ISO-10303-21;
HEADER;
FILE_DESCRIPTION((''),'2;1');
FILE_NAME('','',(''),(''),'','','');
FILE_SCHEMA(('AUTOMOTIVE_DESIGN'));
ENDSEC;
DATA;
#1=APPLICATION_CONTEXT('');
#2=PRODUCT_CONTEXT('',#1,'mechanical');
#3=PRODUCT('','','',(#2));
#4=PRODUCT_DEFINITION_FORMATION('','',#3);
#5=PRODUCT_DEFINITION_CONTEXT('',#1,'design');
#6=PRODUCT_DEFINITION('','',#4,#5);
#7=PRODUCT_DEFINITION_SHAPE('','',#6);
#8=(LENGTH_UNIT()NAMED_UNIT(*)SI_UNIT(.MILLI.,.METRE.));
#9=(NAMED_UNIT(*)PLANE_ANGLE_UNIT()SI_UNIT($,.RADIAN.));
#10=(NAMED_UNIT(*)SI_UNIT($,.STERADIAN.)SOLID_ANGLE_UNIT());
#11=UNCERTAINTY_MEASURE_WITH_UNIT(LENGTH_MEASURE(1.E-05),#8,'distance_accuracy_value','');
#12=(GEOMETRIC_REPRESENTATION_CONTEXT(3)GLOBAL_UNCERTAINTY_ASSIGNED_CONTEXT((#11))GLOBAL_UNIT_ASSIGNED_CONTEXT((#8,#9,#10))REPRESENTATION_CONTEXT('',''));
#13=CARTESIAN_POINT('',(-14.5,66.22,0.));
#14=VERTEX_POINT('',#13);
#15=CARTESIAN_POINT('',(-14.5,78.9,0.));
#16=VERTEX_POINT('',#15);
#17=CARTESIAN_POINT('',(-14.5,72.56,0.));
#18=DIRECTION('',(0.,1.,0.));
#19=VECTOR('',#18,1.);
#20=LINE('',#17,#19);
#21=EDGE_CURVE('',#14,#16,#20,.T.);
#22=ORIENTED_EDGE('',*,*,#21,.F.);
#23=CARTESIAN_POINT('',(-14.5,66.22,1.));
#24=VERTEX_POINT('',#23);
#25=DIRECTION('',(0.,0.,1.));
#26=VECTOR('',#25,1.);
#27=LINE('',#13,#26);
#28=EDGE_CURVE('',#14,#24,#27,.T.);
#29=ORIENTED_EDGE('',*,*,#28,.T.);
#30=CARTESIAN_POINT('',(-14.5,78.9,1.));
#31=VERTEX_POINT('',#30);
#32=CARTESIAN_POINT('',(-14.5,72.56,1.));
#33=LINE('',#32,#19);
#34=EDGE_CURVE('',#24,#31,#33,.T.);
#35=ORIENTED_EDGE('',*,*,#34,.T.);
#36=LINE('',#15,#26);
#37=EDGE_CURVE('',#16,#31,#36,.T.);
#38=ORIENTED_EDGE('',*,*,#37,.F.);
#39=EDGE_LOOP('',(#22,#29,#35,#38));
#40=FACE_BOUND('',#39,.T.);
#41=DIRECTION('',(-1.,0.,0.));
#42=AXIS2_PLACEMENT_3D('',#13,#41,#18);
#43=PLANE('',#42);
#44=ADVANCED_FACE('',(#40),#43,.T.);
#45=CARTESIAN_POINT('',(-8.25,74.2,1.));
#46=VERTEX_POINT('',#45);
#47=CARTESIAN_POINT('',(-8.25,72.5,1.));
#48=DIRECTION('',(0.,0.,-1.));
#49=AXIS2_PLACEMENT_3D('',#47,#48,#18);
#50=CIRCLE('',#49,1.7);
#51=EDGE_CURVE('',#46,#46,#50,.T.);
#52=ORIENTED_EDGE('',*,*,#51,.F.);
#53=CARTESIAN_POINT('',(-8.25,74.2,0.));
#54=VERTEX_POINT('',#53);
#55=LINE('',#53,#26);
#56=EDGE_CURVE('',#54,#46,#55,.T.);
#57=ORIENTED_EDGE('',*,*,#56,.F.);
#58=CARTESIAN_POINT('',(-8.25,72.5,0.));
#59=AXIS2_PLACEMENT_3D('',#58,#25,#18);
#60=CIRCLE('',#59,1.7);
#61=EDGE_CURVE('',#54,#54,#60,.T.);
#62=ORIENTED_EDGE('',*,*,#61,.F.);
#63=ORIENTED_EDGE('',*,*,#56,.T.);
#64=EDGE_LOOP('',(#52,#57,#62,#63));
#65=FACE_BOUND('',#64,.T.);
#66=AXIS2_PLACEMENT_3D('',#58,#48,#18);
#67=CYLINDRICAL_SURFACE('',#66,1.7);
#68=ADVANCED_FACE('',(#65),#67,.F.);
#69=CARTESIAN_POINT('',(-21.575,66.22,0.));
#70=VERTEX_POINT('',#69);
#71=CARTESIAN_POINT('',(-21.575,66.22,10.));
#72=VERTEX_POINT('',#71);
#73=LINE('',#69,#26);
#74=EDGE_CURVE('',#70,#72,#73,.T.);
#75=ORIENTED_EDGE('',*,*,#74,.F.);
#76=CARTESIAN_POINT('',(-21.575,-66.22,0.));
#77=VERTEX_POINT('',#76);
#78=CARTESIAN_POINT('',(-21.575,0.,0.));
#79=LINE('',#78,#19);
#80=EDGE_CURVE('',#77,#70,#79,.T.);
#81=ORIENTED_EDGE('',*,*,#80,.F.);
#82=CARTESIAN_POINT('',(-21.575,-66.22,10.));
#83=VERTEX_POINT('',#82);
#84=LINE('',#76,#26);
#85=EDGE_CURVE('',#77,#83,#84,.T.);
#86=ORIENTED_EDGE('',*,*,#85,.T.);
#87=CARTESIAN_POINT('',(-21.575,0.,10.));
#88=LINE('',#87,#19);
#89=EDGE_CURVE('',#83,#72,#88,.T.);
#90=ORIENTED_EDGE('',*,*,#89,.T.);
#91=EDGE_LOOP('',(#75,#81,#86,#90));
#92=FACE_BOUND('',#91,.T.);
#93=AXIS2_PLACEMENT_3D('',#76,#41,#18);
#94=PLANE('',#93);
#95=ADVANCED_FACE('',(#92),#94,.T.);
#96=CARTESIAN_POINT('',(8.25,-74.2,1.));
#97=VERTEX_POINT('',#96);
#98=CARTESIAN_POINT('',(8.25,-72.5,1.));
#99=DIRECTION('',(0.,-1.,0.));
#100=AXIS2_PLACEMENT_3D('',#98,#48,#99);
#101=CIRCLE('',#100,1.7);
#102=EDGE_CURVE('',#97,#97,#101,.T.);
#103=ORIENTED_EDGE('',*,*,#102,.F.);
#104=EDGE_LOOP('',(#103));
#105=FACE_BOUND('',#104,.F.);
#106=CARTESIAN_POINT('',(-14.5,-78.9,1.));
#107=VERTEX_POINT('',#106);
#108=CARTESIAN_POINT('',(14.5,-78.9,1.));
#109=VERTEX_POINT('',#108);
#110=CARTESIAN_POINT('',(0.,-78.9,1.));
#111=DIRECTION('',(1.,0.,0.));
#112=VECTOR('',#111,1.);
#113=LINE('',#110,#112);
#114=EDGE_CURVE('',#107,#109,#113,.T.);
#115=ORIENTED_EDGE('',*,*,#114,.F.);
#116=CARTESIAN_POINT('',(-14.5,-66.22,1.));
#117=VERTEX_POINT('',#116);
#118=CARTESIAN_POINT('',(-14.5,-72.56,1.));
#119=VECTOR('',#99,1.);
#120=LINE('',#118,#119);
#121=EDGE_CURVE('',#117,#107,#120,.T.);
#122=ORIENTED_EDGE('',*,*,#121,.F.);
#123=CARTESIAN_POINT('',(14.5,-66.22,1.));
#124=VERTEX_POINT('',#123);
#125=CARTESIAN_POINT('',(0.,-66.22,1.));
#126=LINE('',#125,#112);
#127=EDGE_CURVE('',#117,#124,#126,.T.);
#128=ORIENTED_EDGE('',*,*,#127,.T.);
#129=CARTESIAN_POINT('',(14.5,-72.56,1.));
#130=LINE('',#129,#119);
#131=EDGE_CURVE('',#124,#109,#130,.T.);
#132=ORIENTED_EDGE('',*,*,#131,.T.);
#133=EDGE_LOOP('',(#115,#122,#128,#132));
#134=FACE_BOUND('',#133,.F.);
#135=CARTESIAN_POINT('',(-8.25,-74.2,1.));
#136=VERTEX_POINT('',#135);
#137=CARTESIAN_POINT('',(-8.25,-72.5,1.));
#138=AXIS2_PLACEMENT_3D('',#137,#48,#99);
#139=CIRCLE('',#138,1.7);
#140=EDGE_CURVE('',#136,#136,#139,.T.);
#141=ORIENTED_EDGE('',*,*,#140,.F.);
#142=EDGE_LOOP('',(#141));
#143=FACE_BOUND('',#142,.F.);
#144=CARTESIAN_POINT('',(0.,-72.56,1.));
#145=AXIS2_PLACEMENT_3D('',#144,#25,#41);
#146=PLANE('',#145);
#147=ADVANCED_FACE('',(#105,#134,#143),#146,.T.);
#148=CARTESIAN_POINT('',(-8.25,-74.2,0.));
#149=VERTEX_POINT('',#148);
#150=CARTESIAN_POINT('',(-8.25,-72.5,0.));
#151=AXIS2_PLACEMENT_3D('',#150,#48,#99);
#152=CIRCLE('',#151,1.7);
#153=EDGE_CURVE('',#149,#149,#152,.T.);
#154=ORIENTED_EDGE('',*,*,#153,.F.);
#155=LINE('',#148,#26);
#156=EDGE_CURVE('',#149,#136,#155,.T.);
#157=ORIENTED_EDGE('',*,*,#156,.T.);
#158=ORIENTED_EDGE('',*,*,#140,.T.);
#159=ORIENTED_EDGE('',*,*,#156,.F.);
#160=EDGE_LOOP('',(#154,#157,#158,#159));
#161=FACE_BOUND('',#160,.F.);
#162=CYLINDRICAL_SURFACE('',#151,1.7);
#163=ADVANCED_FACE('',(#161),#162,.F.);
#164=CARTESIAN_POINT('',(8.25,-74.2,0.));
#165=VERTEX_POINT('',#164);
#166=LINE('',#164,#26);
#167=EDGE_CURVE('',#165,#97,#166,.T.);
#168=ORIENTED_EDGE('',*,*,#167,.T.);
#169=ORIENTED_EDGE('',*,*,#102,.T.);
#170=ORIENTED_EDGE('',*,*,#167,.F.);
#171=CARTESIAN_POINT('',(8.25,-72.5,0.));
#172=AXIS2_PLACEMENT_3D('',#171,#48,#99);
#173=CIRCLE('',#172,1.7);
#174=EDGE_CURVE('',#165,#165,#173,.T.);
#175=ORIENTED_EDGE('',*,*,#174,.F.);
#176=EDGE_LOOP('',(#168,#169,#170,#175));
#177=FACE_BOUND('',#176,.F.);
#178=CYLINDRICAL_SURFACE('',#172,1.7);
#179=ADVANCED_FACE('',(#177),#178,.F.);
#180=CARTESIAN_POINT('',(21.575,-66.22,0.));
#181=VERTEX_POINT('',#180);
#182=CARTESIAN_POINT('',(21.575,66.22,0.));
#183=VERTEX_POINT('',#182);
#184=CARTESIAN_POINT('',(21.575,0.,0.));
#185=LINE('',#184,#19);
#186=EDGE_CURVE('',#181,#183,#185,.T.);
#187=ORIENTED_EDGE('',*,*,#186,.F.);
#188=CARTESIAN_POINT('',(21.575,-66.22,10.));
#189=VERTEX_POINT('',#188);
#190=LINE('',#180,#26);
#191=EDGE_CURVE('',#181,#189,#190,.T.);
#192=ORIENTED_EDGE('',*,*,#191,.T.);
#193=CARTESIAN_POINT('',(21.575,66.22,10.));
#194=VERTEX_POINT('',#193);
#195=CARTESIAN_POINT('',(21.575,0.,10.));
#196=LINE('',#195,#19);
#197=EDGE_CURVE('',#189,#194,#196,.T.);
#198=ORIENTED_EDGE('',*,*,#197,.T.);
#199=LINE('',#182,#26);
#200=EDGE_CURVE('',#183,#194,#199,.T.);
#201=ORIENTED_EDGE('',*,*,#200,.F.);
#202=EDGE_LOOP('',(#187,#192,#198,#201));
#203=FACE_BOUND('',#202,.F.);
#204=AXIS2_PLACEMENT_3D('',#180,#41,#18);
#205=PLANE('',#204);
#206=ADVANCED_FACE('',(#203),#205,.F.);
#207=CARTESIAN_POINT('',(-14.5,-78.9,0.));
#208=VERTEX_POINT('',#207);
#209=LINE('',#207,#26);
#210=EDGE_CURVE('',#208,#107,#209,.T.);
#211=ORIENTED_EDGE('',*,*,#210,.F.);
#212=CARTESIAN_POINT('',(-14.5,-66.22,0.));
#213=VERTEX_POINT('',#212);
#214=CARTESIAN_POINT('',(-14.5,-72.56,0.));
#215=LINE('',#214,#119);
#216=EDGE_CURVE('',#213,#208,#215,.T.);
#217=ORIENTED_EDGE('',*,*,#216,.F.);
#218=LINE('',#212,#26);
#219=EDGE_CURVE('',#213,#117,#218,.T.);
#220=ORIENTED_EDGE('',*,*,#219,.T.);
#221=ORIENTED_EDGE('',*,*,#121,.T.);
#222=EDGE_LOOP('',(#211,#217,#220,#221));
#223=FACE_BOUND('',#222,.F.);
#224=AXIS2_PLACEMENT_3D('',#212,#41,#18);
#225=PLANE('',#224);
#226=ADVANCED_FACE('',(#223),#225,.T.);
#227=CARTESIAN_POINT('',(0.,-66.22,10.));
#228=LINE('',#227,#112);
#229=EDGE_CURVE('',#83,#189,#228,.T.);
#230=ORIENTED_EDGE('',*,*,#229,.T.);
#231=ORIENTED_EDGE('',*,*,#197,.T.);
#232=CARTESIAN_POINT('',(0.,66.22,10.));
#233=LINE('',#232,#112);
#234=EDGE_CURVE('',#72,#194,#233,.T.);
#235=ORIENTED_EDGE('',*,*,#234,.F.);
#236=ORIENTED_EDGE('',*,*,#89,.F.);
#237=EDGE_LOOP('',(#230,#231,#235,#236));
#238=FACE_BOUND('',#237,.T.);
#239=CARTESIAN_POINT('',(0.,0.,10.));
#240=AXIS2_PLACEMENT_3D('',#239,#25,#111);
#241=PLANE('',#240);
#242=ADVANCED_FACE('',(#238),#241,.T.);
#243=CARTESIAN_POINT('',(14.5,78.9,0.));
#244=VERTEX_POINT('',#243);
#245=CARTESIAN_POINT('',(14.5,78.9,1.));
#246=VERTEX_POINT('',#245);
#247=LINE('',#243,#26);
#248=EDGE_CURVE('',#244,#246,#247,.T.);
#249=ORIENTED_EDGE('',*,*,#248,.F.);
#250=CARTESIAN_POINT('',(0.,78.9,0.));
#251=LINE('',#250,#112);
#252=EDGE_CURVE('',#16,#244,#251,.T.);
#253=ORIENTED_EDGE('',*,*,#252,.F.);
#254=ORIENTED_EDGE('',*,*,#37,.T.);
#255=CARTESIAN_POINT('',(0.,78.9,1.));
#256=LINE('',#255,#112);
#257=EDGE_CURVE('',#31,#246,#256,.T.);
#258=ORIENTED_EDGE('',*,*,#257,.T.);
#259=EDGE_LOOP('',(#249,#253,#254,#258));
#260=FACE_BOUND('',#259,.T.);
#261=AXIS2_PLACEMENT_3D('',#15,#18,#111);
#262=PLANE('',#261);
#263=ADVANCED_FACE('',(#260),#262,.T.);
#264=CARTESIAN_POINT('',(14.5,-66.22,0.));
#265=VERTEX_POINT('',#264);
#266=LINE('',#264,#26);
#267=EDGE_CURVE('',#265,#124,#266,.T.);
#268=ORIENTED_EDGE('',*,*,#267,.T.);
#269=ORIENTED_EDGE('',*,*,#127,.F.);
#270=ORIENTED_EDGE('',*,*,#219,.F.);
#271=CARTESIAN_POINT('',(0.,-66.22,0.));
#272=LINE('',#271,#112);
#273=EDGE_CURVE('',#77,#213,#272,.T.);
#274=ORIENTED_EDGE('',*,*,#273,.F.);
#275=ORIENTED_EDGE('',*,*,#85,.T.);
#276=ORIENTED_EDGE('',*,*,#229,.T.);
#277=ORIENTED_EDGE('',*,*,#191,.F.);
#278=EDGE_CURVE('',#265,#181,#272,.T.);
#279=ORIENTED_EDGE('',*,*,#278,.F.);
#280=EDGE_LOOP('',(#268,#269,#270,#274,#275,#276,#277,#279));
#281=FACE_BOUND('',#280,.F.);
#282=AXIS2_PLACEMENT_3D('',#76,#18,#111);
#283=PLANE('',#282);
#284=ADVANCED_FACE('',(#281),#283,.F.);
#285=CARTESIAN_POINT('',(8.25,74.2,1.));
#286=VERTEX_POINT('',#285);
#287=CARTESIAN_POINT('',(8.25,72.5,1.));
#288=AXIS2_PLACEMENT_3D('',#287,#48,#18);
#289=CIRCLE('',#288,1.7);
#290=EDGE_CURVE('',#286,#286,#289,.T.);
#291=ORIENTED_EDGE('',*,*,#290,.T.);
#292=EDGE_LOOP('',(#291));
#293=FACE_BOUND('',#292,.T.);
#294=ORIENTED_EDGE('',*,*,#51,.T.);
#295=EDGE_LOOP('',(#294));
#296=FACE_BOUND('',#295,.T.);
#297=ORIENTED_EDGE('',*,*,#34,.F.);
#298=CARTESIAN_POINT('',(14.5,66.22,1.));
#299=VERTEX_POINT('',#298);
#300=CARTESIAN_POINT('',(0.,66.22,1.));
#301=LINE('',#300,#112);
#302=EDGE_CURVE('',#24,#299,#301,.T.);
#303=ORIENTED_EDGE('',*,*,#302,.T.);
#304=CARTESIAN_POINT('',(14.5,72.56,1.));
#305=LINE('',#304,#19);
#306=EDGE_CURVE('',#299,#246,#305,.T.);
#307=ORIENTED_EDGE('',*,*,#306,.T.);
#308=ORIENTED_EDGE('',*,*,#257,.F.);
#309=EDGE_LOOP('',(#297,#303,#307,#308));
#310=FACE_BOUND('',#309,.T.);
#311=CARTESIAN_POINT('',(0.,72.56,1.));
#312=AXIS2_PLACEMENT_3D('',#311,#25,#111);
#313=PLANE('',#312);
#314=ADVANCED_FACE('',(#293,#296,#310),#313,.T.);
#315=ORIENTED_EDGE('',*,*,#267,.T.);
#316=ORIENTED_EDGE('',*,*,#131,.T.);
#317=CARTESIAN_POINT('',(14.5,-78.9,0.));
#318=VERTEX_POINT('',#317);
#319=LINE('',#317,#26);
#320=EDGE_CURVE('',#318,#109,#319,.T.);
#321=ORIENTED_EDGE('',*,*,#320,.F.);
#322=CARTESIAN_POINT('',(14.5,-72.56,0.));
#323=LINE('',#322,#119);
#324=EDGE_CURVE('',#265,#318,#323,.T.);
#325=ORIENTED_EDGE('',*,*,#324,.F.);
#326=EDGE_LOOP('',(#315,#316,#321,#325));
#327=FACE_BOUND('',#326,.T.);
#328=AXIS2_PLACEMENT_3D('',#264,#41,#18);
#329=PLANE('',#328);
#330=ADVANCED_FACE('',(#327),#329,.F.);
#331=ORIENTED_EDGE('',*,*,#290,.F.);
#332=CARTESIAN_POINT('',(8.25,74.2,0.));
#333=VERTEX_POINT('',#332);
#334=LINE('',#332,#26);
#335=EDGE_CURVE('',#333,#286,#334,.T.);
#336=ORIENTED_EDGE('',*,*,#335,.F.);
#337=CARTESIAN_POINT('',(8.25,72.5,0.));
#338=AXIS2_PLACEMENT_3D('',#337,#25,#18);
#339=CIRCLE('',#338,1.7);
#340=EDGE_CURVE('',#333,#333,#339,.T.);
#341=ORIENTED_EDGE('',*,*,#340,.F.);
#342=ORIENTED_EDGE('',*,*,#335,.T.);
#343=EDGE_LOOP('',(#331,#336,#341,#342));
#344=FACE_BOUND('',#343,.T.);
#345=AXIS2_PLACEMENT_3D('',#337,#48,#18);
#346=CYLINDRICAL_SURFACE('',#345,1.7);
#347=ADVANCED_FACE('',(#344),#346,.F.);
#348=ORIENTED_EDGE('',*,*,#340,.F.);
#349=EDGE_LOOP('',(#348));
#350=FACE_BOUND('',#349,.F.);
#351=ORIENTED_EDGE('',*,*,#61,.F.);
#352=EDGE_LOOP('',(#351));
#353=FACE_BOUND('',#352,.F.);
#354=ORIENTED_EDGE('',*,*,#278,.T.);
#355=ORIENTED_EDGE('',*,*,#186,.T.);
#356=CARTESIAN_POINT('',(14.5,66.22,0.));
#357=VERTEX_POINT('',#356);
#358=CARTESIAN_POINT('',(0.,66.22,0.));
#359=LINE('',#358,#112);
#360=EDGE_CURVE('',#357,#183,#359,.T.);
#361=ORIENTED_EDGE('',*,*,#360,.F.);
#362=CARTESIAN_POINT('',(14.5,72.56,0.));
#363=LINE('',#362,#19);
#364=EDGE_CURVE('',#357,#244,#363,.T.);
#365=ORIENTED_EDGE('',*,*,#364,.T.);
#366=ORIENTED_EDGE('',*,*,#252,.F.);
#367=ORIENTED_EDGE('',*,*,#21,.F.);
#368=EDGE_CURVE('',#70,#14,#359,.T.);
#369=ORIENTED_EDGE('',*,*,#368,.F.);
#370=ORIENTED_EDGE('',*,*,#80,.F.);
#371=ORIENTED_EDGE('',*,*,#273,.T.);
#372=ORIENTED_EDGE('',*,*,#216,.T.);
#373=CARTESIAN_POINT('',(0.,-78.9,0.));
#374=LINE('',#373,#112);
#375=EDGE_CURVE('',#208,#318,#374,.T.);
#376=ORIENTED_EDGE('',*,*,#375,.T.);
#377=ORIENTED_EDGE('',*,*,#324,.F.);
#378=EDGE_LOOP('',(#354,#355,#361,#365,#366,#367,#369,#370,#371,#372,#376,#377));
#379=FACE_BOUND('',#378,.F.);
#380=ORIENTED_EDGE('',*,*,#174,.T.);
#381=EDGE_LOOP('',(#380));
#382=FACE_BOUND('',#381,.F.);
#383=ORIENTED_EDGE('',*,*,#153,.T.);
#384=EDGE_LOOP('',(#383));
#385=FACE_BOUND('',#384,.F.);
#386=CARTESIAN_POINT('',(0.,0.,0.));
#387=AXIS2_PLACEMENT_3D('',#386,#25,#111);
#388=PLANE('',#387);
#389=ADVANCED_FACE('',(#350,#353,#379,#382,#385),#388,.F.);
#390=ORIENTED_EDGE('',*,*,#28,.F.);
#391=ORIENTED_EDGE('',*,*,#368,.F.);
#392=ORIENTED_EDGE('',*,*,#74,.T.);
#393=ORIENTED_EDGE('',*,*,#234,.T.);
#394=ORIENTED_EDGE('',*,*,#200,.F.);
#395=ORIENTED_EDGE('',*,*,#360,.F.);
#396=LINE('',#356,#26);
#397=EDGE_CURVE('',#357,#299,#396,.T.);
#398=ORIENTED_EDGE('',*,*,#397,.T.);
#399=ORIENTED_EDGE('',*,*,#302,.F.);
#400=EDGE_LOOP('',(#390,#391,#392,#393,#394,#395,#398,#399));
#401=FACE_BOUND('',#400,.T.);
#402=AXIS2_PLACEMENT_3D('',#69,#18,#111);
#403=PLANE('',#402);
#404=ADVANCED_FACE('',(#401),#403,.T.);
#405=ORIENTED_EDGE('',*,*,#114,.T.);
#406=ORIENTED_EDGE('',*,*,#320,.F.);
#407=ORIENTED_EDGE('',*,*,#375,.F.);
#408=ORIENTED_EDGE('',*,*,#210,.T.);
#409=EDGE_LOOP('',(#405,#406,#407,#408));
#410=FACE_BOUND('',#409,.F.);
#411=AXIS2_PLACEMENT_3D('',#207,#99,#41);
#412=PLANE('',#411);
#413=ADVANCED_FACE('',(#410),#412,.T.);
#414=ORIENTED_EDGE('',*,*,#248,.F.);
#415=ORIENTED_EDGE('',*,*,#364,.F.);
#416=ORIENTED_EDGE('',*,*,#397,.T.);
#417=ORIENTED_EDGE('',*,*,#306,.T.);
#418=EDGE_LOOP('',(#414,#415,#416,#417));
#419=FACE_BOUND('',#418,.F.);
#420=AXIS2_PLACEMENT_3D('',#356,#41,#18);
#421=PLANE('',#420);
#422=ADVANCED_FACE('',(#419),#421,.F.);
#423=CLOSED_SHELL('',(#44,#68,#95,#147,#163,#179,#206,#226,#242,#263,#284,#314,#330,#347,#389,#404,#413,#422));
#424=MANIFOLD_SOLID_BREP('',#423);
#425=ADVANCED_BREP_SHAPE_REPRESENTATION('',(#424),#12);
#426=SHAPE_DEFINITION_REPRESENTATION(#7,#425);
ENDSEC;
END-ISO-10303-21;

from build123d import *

# Parameters (mm, degrees)
SKETCH003_W  = 43.15
SKETCH003_H  = 132.44
PAD_DEPTH    = 10
SKETCH004_W  = 29
SKETCH004_H  = 12.68
PAD001_DEPTH = 1
BINDER002_R  = 1.7
POCKET_DEPTH = 5


with BuildPart() as part:
    # Sketch003 → Pad (new body)
    with BuildSketch(Plane.XY):
        Rectangle(SKETCH003_W, SKETCH003_H)
    extrude(amount=PAD_DEPTH)

    # Sketch004 → Pad001 (join)
    with BuildSketch(Plane.XY):
        with Locations((0, 72.56)):
            Rectangle(SKETCH004_W, SKETCH004_H)
    pad001 = extrude(amount=PAD001_DEPTH)

    # Binder002 → Pocket (cut)
    with BuildSketch(Plane(origin=(-8.25, -72.5, 0), x_dir=(0, 1, 0), z_dir=(0, 0, 1))):
        Circle(BINDER002_R)
        with Locations((0, -16.5)):
            Circle(BINDER002_R)
        with Locations((145, 0)):
            Circle(BINDER002_R)
        with Locations((145, -16.5)):
            Circle(BINDER002_R)
    pocket = extrude(amount=POCKET_DEPTH, mode=Mode.SUBTRACT)

    # Mirrored: Pad001, Pocket across Sketch004 H_Axis
    add(pad001.mirror(Plane.ZX))
    add(pocket.mirror(Plane.ZX), mode=Mode.SUBTRACT)


solid = part.part
